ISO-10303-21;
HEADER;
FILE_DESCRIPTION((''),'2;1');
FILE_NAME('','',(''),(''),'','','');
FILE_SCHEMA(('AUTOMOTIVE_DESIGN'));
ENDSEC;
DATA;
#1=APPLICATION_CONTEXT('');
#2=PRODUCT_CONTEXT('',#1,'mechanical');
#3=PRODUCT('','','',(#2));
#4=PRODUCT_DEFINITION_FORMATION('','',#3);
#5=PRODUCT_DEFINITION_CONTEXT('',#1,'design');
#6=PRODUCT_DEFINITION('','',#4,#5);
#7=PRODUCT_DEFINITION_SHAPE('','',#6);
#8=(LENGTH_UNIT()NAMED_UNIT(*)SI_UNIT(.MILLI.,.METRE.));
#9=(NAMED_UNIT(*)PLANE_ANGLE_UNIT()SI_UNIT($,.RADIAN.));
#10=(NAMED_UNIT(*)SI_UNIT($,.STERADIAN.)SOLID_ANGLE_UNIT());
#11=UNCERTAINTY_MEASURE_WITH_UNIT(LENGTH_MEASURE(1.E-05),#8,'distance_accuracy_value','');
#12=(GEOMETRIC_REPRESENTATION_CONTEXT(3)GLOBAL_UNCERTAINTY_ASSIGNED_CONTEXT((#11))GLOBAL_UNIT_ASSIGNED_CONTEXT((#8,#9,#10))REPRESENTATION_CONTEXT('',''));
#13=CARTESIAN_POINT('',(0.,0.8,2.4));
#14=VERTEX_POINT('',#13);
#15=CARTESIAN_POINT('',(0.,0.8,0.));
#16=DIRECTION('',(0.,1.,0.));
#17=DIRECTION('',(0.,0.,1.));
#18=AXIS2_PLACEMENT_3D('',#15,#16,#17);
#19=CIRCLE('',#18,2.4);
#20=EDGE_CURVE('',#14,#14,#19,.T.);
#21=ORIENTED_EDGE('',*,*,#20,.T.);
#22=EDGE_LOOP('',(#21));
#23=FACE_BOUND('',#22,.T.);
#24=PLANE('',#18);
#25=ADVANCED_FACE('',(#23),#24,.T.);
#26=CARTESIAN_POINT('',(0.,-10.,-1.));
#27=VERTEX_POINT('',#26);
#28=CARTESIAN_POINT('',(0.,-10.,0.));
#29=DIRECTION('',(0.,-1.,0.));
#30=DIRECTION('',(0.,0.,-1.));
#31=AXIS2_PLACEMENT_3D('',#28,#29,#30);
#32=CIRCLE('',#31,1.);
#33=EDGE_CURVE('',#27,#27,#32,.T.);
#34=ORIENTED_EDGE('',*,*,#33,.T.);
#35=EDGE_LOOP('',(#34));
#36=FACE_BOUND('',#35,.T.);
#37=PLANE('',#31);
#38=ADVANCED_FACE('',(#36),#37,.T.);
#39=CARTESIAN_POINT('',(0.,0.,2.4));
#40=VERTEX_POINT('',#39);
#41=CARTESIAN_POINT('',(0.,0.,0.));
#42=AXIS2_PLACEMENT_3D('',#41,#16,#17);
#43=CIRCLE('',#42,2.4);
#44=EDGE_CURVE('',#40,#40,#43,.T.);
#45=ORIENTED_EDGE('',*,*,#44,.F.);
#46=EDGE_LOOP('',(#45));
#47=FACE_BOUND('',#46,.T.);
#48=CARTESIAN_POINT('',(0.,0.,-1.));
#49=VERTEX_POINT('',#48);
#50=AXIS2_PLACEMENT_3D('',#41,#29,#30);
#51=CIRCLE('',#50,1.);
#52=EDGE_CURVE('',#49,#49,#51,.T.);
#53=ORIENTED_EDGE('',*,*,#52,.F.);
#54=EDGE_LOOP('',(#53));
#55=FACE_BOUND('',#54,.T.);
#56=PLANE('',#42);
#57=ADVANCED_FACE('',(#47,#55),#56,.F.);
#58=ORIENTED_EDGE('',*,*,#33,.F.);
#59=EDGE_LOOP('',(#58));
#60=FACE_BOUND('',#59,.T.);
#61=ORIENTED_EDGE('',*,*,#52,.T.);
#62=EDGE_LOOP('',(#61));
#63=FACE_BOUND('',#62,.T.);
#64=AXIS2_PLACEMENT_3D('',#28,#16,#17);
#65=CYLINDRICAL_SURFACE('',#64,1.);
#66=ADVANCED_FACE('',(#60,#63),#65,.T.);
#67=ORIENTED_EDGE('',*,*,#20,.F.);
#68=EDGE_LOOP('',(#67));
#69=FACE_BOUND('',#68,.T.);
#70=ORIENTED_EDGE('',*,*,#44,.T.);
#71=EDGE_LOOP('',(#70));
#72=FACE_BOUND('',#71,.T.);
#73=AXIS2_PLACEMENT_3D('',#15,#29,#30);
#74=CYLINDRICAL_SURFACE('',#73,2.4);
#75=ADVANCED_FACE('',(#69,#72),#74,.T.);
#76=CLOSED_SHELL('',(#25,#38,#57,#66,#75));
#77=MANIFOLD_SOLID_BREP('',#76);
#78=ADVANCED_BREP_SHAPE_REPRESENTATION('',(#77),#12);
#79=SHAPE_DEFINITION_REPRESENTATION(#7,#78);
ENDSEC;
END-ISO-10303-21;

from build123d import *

# Parameters (mm, degrees)
SKETCH_1_R      = 2.4
EXTRUDE_1_DEPTH = 0.8
SKETCH_2_R      = 1
EXTRUDE_2_DEPTH = 10


with BuildPart() as part:
    # 草图1 → 凸台-拉伸1 (new body)
    with BuildSketch(Plane(origin=(0, 0, 0), x_dir=(1, 0, 0), z_dir=(0, 1, 0))):
        with Locations(Location((0, 0, 0), (0, 0, 270))):
            Circle(SKETCH_1_R)
    extrude(amount=EXTRUDE_1_DEPTH)

    # 草图2 → 凸台-拉伸2 (add)
    with BuildSketch(Plane.XZ):
        with Locations(Location((0, 0, 0), (0, 0, 270))):
            Circle(SKETCH_2_R)
    extrude(amount=EXTRUDE_2_DEPTH)


solid = part.part
